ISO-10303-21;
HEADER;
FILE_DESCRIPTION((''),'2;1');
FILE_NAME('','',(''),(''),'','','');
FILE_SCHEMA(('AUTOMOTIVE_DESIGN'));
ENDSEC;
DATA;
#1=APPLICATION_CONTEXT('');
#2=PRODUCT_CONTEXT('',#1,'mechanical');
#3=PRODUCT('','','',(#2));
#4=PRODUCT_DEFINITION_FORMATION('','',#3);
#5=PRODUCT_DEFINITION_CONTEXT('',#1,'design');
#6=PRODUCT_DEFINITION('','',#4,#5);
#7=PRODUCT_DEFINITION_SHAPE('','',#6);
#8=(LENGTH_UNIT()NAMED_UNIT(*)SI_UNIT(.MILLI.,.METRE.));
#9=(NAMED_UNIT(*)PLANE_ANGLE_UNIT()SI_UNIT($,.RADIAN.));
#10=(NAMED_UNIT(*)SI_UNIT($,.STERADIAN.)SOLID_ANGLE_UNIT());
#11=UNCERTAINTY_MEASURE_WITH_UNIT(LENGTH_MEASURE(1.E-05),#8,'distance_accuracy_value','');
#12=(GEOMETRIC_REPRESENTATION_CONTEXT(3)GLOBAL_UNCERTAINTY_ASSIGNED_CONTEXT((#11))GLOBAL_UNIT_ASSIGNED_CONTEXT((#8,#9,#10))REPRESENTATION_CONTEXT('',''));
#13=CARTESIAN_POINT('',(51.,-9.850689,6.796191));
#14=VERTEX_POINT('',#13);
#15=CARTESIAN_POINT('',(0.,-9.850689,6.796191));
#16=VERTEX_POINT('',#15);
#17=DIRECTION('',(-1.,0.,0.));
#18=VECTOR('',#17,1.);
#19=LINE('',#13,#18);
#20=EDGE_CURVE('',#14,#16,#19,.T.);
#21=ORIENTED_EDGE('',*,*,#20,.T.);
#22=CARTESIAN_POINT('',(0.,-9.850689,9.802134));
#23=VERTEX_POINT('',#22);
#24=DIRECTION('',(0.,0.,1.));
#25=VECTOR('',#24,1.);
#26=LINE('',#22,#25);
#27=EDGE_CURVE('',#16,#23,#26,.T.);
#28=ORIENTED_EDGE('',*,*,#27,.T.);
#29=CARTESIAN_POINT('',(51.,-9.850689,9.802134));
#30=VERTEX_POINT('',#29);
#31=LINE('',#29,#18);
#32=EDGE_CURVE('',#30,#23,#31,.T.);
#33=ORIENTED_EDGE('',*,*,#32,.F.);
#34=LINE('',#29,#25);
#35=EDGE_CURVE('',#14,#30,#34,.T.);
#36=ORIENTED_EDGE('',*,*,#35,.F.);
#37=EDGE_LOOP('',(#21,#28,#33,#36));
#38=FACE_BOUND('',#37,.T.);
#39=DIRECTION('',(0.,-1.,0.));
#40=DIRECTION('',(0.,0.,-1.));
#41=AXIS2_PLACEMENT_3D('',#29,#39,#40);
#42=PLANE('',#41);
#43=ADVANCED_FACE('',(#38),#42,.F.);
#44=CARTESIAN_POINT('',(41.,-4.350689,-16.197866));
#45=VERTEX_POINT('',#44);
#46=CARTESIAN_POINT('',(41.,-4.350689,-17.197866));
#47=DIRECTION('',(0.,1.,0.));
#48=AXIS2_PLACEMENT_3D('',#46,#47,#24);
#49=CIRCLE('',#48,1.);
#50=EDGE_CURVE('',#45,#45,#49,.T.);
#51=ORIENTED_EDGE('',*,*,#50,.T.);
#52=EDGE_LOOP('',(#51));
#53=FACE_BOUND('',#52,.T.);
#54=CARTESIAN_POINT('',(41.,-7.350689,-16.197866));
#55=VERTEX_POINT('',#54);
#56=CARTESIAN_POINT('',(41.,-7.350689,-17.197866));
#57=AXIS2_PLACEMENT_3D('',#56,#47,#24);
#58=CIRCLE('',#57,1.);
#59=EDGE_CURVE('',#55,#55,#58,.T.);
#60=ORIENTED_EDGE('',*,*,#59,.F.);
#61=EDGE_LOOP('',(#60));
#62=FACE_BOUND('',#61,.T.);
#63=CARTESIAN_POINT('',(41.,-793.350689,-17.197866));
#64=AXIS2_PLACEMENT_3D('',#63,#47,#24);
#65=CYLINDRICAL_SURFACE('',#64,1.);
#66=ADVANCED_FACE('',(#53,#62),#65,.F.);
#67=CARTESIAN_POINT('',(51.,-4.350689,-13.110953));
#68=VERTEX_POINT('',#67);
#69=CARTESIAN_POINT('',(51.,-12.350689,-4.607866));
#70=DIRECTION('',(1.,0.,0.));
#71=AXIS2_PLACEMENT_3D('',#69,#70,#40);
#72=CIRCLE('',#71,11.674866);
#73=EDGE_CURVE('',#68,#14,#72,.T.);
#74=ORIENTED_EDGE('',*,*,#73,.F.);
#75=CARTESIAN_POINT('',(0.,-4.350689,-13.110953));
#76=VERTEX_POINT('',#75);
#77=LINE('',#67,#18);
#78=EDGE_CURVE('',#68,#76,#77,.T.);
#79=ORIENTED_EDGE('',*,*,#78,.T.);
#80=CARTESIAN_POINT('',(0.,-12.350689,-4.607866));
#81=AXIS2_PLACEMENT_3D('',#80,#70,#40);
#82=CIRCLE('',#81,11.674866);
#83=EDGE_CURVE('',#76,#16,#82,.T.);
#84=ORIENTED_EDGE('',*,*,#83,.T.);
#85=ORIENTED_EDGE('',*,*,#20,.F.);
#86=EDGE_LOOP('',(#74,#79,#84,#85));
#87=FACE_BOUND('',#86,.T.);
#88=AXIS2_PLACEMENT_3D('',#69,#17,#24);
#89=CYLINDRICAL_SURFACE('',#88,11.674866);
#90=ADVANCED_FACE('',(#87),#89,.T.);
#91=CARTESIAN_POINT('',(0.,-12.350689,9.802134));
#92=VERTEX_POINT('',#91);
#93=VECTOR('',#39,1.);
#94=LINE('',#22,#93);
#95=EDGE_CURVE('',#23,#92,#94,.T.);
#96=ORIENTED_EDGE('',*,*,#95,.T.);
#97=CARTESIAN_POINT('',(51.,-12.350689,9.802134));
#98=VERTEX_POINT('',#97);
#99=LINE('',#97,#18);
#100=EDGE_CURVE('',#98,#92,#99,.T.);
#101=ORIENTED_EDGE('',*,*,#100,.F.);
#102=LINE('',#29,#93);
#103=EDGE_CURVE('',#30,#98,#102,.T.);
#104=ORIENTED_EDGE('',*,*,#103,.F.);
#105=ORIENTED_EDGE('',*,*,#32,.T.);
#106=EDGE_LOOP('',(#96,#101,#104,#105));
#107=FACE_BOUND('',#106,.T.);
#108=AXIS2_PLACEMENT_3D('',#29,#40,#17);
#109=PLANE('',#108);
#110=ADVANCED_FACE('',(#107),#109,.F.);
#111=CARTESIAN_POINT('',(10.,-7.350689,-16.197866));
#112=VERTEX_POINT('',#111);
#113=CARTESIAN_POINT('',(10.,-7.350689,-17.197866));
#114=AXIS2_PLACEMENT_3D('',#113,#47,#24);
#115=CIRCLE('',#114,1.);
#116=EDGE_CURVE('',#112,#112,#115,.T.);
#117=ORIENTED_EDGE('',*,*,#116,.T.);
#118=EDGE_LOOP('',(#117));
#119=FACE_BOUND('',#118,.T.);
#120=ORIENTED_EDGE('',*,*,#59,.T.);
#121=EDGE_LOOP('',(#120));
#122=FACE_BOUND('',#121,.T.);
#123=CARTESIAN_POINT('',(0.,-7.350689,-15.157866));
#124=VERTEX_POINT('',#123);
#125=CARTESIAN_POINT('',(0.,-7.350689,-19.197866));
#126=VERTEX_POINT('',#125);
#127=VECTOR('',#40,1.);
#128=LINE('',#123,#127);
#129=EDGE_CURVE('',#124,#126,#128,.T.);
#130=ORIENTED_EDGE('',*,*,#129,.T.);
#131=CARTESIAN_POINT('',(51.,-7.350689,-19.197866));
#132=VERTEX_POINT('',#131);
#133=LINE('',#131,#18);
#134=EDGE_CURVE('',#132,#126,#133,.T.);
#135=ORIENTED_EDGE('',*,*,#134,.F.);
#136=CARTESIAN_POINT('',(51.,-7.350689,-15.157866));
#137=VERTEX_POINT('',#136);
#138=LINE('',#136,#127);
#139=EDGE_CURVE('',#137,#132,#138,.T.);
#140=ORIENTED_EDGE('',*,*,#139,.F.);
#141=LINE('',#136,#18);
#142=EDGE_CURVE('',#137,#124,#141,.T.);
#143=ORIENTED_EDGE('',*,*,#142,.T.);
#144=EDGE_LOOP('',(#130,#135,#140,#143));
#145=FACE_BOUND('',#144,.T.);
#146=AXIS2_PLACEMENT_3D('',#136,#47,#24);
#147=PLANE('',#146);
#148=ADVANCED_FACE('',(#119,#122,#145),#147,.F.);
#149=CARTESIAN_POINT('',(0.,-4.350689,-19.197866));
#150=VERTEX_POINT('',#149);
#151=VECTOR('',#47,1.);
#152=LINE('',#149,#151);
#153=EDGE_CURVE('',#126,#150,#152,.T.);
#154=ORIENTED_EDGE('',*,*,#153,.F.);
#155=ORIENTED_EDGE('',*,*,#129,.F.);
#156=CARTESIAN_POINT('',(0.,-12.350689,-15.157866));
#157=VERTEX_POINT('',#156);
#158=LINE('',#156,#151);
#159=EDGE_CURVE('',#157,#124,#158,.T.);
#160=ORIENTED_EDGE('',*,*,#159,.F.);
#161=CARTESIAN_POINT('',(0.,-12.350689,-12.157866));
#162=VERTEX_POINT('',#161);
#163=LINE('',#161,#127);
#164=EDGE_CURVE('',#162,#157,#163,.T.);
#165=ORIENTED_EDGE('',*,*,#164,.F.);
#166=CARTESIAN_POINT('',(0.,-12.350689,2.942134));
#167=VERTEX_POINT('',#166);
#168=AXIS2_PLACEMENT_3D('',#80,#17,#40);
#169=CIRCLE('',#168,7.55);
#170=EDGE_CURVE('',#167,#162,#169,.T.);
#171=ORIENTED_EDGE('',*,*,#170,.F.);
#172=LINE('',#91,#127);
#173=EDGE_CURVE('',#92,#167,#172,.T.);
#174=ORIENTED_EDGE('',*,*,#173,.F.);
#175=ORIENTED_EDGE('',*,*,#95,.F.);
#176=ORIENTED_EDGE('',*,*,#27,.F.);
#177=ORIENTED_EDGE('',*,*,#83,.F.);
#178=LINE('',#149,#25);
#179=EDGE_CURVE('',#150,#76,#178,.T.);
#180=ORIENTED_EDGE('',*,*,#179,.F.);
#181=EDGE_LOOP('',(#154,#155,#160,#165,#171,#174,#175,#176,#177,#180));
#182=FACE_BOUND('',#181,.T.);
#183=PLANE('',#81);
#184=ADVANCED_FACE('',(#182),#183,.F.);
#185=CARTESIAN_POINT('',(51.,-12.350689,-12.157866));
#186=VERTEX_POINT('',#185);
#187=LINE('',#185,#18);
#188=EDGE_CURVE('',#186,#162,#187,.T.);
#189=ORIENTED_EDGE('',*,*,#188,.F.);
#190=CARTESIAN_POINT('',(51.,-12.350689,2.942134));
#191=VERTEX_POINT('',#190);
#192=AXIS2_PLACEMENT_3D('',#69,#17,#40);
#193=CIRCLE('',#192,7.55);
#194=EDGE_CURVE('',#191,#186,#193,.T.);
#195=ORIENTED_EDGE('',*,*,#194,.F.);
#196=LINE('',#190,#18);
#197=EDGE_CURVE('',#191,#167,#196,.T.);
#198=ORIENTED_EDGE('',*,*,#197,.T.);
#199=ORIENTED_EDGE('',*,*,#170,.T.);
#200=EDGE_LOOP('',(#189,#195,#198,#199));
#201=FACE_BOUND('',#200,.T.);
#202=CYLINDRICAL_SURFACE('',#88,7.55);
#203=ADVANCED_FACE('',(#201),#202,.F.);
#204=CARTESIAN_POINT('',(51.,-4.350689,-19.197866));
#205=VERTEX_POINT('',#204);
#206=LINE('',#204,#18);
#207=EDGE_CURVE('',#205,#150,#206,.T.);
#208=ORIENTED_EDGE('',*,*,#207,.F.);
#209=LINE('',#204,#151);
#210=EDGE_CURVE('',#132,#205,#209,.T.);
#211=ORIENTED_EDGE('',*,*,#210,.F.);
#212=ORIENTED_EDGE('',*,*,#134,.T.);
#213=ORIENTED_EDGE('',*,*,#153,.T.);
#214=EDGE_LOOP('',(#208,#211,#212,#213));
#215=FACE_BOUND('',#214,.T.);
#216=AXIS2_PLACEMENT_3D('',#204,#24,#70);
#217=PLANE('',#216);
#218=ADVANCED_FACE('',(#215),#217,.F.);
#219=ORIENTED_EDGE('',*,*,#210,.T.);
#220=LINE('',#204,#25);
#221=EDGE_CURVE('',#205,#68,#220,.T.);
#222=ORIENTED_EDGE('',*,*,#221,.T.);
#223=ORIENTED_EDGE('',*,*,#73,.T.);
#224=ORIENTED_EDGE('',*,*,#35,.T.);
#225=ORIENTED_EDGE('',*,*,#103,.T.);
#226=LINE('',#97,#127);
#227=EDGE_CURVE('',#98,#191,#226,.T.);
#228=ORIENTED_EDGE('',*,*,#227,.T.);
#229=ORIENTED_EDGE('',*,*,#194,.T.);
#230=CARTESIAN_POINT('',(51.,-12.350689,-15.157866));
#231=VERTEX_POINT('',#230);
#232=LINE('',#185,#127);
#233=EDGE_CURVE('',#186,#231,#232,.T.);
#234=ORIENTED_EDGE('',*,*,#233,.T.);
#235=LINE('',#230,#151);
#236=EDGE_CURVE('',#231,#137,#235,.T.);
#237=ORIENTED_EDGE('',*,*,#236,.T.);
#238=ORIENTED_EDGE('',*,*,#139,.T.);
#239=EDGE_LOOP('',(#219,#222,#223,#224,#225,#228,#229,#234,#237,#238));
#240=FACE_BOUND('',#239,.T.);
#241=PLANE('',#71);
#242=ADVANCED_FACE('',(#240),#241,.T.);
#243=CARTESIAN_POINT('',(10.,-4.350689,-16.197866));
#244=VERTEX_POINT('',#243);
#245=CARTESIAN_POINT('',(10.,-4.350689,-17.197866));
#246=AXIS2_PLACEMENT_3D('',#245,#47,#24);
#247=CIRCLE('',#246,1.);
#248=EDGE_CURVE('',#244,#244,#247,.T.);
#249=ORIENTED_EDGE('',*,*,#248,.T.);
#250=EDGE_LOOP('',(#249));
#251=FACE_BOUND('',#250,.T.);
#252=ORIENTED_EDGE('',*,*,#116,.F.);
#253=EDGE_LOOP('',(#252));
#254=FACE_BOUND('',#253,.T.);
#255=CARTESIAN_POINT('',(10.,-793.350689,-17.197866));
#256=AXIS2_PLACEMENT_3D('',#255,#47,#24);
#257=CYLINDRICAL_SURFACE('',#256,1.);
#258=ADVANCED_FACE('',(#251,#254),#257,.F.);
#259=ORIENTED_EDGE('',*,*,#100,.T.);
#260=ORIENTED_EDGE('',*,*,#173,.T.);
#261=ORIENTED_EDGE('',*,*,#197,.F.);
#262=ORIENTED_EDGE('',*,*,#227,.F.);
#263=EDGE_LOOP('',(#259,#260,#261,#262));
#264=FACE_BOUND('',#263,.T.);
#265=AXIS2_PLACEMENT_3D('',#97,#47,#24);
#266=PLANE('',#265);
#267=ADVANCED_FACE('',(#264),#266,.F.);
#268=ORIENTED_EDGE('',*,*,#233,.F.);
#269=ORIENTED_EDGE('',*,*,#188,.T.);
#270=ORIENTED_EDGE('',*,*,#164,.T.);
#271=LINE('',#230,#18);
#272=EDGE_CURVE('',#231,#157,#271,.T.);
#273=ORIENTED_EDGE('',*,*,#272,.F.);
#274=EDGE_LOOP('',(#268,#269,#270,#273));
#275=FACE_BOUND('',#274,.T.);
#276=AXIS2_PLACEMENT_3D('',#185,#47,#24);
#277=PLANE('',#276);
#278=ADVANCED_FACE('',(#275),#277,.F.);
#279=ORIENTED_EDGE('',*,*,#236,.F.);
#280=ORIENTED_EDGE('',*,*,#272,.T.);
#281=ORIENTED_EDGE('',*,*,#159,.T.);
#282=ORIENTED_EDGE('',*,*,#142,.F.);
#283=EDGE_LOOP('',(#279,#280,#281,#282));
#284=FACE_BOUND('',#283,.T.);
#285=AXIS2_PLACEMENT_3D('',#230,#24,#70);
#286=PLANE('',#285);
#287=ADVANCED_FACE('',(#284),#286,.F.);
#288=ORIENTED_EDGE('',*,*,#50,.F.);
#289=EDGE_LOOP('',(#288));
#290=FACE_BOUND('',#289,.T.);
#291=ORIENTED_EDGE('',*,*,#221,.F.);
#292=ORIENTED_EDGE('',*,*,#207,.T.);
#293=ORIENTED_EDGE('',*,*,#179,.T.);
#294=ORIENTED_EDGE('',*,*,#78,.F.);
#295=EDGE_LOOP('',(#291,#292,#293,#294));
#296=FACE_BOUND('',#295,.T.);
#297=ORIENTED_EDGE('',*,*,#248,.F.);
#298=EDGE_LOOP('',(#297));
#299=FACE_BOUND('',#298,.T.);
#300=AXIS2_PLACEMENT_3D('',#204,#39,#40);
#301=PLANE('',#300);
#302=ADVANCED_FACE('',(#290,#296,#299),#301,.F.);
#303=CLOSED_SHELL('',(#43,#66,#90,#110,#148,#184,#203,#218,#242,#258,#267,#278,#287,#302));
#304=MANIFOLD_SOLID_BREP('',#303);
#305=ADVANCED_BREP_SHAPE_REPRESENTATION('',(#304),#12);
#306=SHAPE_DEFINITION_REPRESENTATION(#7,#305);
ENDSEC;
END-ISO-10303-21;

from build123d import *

# Parameters (mm, degrees)
BOSS_EXTRUDE1_DEPTH = 51
SKETCH2_R           = 1
CUT_EXTRUDE1_DEPTH  = 789


with BuildPart() as part:
    # Sketch1 → Boss-Extrude1 (new body)
    with BuildSketch(Plane(origin=(0, 0, 0), x_dir=(0, 0, -1), z_dir=(1, 0, 0))):
        with BuildLine():
            Line((12.15786554, -12.350689419), (15.15786554, -12.350689419))
            Line((15.15786554, -12.350689419), (15.15786554, -7.350689419))
            Line((15.15786554, -7.350689419), (19.19786554, -7.350689419))
            Line((19.19786554, -7.350689419), (19.19786554, -4.350689419))
            Line((19.19786554, -4.350689419), (13.110953215, -4.350689419))
            ThreePointArc((13.110953215, -4.350689419), (1.498781312, -1.097418994), (-6.796190756, -9.850689419))
            Line((-6.796190756, -9.850689419), (-9.80213446, -9.850689419))
            Line((-9.80213446, -9.850689419), (-9.80213446, -12.350689419))
            Line((-9.80213446, -12.350689419), (-2.94213446, -12.350689419))
            ThreePointArc((-2.94213446, -12.350689419), (4.60786554, -4.800689419), (12.15786554, -12.350689419))
        make_face()
    extrude(amount=BOSS_EXTRUDE1_DEPTH)

    # Sketch2 → Cut-Extrude1 (cut)
    with BuildSketch(Plane(origin=(0, -4.350689419, 0), x_dir=(1, 0, 0), z_dir=(0, 1, 0))):
        with Locations((10, 17.19786554)):
            Circle(SKETCH2_R)
        with Locations((41, 17.19786554)):
            Circle(SKETCH2_R)
    extrude(amount=-CUT_EXTRUDE1_DEPTH, mode=Mode.SUBTRACT)


solid = part.part
